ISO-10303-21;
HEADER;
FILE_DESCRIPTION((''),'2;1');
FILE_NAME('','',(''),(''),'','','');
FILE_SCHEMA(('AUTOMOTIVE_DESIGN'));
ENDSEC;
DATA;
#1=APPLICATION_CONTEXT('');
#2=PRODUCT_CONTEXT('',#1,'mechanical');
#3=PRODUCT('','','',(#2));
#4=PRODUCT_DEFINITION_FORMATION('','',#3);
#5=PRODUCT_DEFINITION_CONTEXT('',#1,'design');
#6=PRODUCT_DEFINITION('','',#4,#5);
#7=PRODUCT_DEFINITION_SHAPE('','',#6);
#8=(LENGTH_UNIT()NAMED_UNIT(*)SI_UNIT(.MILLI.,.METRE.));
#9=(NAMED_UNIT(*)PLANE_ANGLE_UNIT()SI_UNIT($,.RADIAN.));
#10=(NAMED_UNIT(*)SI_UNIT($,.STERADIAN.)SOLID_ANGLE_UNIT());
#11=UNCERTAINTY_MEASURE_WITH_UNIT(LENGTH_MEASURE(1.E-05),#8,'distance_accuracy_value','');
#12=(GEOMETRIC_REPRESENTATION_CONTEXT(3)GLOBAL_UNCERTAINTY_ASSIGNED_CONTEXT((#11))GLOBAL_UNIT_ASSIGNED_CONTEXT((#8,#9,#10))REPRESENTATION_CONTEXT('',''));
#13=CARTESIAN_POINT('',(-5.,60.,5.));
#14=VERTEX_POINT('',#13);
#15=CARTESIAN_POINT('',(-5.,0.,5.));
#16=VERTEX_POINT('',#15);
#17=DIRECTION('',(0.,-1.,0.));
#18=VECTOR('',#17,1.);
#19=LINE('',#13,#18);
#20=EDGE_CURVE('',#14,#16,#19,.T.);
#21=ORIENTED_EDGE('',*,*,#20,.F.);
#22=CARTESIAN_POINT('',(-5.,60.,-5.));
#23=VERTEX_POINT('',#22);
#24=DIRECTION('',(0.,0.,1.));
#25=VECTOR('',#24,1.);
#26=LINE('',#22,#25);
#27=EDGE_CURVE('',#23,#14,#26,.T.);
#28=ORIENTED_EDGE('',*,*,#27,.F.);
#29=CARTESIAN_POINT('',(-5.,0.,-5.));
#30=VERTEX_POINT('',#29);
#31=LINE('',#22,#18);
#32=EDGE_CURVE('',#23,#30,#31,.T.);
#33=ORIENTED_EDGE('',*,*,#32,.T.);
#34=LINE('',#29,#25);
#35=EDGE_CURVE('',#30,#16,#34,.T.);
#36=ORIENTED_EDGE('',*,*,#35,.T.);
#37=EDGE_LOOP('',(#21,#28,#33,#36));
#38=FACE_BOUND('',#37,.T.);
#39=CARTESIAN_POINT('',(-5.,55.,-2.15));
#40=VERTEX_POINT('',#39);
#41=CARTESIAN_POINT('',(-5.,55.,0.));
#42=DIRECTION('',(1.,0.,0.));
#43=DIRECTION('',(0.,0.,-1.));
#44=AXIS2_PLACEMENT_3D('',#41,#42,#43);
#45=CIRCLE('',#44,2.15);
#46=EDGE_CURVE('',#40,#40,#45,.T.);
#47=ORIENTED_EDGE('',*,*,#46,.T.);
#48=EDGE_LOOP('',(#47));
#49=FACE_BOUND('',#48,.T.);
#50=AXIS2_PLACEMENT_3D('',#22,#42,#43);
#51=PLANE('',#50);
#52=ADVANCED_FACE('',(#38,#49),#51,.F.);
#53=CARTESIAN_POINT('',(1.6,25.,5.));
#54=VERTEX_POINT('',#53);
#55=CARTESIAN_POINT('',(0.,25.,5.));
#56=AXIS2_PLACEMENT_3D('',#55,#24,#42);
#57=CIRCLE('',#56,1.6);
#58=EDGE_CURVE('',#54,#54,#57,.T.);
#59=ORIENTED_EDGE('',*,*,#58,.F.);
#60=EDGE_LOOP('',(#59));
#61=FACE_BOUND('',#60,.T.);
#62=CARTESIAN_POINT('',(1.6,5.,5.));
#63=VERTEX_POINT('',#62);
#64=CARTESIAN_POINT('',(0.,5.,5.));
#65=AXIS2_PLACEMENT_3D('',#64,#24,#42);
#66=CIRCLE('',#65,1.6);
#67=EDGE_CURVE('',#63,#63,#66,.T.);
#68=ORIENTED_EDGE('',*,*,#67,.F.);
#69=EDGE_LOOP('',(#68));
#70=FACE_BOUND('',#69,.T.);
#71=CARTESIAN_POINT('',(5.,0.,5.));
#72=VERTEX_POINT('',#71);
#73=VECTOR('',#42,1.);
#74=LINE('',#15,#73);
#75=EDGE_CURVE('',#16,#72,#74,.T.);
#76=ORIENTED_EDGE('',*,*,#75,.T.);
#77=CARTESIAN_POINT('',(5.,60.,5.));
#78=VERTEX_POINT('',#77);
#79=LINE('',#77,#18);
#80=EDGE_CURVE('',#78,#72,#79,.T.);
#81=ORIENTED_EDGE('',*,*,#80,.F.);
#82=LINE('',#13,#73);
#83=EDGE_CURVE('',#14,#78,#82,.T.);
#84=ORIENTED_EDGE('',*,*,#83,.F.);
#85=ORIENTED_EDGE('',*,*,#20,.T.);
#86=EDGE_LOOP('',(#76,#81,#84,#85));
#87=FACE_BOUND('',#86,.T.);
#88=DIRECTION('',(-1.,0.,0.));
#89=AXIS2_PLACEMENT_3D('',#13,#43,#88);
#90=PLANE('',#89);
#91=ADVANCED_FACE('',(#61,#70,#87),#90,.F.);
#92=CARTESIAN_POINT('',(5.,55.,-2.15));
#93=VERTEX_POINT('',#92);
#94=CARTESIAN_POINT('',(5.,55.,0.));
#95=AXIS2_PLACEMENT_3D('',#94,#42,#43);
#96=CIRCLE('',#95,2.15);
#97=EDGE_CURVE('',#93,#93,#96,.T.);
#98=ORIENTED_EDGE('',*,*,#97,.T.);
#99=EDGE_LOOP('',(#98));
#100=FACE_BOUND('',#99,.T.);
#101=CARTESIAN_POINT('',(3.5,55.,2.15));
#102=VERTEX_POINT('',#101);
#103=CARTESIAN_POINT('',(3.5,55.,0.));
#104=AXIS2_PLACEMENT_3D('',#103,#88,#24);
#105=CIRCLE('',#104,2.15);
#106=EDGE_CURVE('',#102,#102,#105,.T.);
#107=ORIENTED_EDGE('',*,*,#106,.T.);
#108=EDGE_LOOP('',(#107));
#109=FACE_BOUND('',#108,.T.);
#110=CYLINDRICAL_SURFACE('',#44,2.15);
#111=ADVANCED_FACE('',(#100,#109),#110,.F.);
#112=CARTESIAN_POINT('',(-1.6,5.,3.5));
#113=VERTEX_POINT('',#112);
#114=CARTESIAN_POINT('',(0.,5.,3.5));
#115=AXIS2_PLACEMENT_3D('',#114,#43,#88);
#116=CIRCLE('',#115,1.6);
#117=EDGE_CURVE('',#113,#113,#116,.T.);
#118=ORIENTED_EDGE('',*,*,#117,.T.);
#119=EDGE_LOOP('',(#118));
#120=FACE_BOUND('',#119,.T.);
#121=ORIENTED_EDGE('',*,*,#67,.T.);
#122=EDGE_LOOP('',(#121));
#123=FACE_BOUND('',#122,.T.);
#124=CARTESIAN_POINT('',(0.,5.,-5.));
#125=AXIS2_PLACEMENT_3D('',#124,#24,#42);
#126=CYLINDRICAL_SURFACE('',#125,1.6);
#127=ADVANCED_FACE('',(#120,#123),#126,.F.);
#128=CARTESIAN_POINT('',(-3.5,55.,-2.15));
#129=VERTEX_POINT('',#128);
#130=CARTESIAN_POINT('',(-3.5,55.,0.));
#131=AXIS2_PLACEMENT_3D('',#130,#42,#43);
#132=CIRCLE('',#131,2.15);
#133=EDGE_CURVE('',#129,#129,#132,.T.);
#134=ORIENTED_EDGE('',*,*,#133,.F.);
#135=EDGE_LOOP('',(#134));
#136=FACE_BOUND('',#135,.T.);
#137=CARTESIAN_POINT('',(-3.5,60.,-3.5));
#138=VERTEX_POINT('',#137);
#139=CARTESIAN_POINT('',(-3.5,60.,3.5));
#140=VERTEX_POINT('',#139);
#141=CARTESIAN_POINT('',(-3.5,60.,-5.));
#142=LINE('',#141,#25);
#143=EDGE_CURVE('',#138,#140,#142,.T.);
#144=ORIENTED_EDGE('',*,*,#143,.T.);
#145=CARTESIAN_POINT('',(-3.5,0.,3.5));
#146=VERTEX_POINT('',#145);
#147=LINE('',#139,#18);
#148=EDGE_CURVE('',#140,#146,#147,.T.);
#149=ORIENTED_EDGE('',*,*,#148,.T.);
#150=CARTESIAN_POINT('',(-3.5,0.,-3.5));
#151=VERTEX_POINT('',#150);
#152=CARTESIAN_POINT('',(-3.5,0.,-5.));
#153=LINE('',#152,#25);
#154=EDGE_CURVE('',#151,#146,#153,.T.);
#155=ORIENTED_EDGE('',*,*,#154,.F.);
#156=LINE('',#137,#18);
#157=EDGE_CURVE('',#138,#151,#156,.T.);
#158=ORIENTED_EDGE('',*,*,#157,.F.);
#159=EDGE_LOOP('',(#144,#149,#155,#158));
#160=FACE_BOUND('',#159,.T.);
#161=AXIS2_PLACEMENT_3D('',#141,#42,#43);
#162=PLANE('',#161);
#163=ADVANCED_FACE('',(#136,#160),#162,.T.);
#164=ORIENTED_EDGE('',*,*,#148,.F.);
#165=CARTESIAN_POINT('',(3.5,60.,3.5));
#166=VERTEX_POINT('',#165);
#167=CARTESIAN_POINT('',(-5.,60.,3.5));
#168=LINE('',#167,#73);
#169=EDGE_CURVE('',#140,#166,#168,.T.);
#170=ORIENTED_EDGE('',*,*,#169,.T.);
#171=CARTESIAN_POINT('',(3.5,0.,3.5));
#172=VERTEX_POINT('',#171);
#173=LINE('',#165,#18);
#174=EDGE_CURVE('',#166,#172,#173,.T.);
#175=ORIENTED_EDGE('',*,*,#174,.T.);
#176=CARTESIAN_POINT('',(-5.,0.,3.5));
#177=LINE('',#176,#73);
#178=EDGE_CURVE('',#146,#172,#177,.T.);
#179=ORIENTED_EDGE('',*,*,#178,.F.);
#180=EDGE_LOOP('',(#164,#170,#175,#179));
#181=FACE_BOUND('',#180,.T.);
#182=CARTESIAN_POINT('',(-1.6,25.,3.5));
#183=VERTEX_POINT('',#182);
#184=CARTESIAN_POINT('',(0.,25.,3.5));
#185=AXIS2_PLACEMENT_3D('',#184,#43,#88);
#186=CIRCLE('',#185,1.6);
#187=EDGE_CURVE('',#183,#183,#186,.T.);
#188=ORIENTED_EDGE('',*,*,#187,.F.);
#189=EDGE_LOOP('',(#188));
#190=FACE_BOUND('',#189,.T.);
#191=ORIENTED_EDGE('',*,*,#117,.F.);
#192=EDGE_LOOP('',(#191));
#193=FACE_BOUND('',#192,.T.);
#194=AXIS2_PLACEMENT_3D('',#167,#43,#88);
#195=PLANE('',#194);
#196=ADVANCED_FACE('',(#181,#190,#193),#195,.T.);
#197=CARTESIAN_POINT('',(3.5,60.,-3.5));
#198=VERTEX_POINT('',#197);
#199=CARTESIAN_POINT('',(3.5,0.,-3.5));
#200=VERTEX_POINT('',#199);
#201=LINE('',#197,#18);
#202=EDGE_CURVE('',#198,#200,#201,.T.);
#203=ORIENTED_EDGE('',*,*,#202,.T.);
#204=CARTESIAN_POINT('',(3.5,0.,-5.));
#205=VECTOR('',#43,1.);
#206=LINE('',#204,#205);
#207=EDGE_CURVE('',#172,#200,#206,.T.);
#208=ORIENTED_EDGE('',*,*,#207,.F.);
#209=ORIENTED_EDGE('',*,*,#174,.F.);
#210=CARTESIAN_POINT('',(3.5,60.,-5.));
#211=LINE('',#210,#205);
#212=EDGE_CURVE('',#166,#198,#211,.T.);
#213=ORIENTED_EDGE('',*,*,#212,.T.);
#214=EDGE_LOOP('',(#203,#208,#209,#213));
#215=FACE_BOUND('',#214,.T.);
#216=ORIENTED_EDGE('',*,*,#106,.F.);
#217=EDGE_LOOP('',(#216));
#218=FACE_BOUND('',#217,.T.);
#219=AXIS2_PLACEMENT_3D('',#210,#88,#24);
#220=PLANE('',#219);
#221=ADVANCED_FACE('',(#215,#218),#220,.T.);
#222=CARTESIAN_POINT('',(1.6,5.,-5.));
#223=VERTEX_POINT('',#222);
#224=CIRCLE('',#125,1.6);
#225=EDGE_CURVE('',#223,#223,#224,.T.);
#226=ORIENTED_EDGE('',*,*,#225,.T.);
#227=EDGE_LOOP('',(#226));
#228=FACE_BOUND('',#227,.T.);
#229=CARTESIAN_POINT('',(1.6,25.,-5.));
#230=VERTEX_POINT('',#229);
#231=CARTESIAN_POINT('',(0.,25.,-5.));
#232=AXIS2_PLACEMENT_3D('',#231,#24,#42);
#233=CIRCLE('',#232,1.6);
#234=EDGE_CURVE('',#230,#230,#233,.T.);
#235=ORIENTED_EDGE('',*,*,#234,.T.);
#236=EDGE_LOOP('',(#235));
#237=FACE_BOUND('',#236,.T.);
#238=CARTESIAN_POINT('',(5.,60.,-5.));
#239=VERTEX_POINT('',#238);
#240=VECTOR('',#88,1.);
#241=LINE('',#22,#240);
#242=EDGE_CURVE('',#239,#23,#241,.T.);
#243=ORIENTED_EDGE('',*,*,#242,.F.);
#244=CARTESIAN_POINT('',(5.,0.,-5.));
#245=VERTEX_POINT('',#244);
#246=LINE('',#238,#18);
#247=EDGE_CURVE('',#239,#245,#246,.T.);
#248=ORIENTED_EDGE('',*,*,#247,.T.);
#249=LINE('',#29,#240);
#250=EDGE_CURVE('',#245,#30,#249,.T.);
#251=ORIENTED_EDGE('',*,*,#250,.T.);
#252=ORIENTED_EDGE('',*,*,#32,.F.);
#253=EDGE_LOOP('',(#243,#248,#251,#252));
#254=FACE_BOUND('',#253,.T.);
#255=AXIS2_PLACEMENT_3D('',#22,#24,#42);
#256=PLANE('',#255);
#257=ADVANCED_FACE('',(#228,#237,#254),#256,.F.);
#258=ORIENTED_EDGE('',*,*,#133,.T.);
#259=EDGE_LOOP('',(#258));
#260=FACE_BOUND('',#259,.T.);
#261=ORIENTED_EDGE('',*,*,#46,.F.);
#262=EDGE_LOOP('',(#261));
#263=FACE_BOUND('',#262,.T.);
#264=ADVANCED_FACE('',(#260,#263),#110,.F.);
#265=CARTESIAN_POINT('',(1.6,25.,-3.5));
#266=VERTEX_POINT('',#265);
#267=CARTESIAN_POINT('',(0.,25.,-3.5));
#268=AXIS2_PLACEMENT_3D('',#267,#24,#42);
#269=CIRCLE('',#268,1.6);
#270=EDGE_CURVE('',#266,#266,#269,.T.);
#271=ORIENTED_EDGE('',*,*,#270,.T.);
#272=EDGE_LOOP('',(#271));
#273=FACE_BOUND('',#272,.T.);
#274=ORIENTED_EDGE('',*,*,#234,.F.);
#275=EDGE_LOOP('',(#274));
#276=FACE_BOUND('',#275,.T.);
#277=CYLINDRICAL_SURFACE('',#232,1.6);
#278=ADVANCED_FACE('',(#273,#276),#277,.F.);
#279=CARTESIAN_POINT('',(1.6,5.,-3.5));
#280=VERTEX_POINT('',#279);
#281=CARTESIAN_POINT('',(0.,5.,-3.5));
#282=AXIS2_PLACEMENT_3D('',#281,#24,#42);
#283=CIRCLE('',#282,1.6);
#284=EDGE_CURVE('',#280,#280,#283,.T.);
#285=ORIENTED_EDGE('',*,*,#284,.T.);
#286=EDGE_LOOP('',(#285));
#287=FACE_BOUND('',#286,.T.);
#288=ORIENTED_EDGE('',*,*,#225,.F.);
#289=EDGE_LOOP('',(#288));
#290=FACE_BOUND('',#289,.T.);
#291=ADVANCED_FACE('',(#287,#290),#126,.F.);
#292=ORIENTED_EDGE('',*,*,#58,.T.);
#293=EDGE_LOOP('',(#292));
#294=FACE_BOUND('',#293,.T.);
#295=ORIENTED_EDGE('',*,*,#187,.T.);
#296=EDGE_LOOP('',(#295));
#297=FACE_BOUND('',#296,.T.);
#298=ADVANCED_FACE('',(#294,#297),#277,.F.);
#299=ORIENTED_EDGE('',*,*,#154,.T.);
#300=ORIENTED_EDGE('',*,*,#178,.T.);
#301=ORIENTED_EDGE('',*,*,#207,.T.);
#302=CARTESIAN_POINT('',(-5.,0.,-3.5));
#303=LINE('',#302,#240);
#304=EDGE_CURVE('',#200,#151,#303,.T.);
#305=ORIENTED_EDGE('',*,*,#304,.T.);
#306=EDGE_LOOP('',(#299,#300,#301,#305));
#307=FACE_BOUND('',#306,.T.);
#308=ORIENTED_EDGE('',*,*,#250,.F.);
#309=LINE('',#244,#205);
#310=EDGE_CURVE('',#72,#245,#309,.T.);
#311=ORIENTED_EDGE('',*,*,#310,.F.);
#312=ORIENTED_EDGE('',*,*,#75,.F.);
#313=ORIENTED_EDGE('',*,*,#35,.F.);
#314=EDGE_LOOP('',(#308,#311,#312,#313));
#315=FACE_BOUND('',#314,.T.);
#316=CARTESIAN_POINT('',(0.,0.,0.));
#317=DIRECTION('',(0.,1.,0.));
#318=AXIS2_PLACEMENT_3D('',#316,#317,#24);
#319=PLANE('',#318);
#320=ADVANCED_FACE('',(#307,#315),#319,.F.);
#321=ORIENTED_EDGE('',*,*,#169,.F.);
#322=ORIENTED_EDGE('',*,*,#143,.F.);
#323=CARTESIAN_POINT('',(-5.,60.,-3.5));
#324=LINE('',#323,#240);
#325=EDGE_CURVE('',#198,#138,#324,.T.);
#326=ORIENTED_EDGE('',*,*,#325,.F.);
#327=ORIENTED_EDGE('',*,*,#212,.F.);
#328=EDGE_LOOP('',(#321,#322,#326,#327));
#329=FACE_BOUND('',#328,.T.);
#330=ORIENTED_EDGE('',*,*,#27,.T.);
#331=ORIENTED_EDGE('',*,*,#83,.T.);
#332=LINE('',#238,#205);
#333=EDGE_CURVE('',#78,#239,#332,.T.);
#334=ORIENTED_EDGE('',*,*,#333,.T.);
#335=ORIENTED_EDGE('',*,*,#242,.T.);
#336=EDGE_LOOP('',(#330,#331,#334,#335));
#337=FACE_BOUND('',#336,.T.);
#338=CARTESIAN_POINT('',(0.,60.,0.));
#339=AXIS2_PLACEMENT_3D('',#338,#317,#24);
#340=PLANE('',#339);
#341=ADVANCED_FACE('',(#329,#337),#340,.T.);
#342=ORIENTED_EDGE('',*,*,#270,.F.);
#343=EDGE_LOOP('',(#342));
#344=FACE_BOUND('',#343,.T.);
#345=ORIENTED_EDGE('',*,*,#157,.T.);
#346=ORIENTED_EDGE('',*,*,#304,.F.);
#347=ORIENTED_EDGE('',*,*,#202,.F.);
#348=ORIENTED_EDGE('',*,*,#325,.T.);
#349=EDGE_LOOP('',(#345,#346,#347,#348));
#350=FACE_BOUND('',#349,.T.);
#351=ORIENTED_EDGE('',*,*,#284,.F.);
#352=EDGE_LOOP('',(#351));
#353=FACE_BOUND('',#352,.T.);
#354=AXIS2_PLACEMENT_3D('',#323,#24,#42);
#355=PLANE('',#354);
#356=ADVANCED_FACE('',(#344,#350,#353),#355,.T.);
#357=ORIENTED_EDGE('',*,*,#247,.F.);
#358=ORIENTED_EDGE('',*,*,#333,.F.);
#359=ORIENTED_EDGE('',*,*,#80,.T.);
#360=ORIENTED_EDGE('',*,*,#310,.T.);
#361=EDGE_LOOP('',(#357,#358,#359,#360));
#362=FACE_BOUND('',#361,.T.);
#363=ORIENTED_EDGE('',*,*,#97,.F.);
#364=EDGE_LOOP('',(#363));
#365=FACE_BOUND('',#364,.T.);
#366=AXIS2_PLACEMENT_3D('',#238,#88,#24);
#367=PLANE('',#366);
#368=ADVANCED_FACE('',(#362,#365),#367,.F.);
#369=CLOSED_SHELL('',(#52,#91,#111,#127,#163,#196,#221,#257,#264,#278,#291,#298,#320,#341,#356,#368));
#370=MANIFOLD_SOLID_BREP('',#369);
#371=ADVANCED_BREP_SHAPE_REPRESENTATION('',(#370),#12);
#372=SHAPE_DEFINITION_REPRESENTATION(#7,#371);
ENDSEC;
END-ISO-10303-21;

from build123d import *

# Parameters (mm, degrees)
SKETCH_1_W          = 10
SKETCH_1_H          = 10
SKETCH_1_W_2        = 7
SKETCH_1_H_2        = 7
EXTRUDE_1_DEPTH     = 60
SKETCH_2_R          = 1.6
CUT_EXTRUDE_1_DEPTH = 62.032778079
SKETCH_3_R          = 2.15
CUT_EXTRUDE_2_DEPTH = 62.032778079


with BuildPart() as part:
    # ｽｹｯﾁ1 → 押し出し-薄板1 (new body)
    with BuildSketch(Plane(origin=(0, 0, 0), x_dir=(1, 0, 0), z_dir=(0, 1, 0))):
        Rectangle(SKETCH_1_W, SKETCH_1_H)
        Rectangle(SKETCH_1_W_2, SKETCH_1_H_2, mode=Mode.SUBTRACT)
    extrude(amount=EXTRUDE_1_DEPTH)

    # ｽｹｯﾁ2 → ｶｯﾄ - 押し出し1 (cut, through all)
    with BuildSketch(Plane.XY.offset(5)):
        with Locations((0, 25)):
            Circle(SKETCH_2_R)
        with Locations((0, 5)):
            Circle(SKETCH_2_R)
    extrude(amount=-CUT_EXTRUDE_1_DEPTH, mode=Mode.SUBTRACT)

    # ｽｹｯﾁ3 → ｶｯﾄ - 押し出し2 (cut, through all)
    with BuildSketch(Plane(origin=(5, 0, 0), x_dir=(0, 0, -1), z_dir=(1, 0, 0))):
        with Locations((0, 55)):
            Circle(SKETCH_3_R)
    extrude(amount=-CUT_EXTRUDE_2_DEPTH, mode=Mode.SUBTRACT)


solid = part.part
